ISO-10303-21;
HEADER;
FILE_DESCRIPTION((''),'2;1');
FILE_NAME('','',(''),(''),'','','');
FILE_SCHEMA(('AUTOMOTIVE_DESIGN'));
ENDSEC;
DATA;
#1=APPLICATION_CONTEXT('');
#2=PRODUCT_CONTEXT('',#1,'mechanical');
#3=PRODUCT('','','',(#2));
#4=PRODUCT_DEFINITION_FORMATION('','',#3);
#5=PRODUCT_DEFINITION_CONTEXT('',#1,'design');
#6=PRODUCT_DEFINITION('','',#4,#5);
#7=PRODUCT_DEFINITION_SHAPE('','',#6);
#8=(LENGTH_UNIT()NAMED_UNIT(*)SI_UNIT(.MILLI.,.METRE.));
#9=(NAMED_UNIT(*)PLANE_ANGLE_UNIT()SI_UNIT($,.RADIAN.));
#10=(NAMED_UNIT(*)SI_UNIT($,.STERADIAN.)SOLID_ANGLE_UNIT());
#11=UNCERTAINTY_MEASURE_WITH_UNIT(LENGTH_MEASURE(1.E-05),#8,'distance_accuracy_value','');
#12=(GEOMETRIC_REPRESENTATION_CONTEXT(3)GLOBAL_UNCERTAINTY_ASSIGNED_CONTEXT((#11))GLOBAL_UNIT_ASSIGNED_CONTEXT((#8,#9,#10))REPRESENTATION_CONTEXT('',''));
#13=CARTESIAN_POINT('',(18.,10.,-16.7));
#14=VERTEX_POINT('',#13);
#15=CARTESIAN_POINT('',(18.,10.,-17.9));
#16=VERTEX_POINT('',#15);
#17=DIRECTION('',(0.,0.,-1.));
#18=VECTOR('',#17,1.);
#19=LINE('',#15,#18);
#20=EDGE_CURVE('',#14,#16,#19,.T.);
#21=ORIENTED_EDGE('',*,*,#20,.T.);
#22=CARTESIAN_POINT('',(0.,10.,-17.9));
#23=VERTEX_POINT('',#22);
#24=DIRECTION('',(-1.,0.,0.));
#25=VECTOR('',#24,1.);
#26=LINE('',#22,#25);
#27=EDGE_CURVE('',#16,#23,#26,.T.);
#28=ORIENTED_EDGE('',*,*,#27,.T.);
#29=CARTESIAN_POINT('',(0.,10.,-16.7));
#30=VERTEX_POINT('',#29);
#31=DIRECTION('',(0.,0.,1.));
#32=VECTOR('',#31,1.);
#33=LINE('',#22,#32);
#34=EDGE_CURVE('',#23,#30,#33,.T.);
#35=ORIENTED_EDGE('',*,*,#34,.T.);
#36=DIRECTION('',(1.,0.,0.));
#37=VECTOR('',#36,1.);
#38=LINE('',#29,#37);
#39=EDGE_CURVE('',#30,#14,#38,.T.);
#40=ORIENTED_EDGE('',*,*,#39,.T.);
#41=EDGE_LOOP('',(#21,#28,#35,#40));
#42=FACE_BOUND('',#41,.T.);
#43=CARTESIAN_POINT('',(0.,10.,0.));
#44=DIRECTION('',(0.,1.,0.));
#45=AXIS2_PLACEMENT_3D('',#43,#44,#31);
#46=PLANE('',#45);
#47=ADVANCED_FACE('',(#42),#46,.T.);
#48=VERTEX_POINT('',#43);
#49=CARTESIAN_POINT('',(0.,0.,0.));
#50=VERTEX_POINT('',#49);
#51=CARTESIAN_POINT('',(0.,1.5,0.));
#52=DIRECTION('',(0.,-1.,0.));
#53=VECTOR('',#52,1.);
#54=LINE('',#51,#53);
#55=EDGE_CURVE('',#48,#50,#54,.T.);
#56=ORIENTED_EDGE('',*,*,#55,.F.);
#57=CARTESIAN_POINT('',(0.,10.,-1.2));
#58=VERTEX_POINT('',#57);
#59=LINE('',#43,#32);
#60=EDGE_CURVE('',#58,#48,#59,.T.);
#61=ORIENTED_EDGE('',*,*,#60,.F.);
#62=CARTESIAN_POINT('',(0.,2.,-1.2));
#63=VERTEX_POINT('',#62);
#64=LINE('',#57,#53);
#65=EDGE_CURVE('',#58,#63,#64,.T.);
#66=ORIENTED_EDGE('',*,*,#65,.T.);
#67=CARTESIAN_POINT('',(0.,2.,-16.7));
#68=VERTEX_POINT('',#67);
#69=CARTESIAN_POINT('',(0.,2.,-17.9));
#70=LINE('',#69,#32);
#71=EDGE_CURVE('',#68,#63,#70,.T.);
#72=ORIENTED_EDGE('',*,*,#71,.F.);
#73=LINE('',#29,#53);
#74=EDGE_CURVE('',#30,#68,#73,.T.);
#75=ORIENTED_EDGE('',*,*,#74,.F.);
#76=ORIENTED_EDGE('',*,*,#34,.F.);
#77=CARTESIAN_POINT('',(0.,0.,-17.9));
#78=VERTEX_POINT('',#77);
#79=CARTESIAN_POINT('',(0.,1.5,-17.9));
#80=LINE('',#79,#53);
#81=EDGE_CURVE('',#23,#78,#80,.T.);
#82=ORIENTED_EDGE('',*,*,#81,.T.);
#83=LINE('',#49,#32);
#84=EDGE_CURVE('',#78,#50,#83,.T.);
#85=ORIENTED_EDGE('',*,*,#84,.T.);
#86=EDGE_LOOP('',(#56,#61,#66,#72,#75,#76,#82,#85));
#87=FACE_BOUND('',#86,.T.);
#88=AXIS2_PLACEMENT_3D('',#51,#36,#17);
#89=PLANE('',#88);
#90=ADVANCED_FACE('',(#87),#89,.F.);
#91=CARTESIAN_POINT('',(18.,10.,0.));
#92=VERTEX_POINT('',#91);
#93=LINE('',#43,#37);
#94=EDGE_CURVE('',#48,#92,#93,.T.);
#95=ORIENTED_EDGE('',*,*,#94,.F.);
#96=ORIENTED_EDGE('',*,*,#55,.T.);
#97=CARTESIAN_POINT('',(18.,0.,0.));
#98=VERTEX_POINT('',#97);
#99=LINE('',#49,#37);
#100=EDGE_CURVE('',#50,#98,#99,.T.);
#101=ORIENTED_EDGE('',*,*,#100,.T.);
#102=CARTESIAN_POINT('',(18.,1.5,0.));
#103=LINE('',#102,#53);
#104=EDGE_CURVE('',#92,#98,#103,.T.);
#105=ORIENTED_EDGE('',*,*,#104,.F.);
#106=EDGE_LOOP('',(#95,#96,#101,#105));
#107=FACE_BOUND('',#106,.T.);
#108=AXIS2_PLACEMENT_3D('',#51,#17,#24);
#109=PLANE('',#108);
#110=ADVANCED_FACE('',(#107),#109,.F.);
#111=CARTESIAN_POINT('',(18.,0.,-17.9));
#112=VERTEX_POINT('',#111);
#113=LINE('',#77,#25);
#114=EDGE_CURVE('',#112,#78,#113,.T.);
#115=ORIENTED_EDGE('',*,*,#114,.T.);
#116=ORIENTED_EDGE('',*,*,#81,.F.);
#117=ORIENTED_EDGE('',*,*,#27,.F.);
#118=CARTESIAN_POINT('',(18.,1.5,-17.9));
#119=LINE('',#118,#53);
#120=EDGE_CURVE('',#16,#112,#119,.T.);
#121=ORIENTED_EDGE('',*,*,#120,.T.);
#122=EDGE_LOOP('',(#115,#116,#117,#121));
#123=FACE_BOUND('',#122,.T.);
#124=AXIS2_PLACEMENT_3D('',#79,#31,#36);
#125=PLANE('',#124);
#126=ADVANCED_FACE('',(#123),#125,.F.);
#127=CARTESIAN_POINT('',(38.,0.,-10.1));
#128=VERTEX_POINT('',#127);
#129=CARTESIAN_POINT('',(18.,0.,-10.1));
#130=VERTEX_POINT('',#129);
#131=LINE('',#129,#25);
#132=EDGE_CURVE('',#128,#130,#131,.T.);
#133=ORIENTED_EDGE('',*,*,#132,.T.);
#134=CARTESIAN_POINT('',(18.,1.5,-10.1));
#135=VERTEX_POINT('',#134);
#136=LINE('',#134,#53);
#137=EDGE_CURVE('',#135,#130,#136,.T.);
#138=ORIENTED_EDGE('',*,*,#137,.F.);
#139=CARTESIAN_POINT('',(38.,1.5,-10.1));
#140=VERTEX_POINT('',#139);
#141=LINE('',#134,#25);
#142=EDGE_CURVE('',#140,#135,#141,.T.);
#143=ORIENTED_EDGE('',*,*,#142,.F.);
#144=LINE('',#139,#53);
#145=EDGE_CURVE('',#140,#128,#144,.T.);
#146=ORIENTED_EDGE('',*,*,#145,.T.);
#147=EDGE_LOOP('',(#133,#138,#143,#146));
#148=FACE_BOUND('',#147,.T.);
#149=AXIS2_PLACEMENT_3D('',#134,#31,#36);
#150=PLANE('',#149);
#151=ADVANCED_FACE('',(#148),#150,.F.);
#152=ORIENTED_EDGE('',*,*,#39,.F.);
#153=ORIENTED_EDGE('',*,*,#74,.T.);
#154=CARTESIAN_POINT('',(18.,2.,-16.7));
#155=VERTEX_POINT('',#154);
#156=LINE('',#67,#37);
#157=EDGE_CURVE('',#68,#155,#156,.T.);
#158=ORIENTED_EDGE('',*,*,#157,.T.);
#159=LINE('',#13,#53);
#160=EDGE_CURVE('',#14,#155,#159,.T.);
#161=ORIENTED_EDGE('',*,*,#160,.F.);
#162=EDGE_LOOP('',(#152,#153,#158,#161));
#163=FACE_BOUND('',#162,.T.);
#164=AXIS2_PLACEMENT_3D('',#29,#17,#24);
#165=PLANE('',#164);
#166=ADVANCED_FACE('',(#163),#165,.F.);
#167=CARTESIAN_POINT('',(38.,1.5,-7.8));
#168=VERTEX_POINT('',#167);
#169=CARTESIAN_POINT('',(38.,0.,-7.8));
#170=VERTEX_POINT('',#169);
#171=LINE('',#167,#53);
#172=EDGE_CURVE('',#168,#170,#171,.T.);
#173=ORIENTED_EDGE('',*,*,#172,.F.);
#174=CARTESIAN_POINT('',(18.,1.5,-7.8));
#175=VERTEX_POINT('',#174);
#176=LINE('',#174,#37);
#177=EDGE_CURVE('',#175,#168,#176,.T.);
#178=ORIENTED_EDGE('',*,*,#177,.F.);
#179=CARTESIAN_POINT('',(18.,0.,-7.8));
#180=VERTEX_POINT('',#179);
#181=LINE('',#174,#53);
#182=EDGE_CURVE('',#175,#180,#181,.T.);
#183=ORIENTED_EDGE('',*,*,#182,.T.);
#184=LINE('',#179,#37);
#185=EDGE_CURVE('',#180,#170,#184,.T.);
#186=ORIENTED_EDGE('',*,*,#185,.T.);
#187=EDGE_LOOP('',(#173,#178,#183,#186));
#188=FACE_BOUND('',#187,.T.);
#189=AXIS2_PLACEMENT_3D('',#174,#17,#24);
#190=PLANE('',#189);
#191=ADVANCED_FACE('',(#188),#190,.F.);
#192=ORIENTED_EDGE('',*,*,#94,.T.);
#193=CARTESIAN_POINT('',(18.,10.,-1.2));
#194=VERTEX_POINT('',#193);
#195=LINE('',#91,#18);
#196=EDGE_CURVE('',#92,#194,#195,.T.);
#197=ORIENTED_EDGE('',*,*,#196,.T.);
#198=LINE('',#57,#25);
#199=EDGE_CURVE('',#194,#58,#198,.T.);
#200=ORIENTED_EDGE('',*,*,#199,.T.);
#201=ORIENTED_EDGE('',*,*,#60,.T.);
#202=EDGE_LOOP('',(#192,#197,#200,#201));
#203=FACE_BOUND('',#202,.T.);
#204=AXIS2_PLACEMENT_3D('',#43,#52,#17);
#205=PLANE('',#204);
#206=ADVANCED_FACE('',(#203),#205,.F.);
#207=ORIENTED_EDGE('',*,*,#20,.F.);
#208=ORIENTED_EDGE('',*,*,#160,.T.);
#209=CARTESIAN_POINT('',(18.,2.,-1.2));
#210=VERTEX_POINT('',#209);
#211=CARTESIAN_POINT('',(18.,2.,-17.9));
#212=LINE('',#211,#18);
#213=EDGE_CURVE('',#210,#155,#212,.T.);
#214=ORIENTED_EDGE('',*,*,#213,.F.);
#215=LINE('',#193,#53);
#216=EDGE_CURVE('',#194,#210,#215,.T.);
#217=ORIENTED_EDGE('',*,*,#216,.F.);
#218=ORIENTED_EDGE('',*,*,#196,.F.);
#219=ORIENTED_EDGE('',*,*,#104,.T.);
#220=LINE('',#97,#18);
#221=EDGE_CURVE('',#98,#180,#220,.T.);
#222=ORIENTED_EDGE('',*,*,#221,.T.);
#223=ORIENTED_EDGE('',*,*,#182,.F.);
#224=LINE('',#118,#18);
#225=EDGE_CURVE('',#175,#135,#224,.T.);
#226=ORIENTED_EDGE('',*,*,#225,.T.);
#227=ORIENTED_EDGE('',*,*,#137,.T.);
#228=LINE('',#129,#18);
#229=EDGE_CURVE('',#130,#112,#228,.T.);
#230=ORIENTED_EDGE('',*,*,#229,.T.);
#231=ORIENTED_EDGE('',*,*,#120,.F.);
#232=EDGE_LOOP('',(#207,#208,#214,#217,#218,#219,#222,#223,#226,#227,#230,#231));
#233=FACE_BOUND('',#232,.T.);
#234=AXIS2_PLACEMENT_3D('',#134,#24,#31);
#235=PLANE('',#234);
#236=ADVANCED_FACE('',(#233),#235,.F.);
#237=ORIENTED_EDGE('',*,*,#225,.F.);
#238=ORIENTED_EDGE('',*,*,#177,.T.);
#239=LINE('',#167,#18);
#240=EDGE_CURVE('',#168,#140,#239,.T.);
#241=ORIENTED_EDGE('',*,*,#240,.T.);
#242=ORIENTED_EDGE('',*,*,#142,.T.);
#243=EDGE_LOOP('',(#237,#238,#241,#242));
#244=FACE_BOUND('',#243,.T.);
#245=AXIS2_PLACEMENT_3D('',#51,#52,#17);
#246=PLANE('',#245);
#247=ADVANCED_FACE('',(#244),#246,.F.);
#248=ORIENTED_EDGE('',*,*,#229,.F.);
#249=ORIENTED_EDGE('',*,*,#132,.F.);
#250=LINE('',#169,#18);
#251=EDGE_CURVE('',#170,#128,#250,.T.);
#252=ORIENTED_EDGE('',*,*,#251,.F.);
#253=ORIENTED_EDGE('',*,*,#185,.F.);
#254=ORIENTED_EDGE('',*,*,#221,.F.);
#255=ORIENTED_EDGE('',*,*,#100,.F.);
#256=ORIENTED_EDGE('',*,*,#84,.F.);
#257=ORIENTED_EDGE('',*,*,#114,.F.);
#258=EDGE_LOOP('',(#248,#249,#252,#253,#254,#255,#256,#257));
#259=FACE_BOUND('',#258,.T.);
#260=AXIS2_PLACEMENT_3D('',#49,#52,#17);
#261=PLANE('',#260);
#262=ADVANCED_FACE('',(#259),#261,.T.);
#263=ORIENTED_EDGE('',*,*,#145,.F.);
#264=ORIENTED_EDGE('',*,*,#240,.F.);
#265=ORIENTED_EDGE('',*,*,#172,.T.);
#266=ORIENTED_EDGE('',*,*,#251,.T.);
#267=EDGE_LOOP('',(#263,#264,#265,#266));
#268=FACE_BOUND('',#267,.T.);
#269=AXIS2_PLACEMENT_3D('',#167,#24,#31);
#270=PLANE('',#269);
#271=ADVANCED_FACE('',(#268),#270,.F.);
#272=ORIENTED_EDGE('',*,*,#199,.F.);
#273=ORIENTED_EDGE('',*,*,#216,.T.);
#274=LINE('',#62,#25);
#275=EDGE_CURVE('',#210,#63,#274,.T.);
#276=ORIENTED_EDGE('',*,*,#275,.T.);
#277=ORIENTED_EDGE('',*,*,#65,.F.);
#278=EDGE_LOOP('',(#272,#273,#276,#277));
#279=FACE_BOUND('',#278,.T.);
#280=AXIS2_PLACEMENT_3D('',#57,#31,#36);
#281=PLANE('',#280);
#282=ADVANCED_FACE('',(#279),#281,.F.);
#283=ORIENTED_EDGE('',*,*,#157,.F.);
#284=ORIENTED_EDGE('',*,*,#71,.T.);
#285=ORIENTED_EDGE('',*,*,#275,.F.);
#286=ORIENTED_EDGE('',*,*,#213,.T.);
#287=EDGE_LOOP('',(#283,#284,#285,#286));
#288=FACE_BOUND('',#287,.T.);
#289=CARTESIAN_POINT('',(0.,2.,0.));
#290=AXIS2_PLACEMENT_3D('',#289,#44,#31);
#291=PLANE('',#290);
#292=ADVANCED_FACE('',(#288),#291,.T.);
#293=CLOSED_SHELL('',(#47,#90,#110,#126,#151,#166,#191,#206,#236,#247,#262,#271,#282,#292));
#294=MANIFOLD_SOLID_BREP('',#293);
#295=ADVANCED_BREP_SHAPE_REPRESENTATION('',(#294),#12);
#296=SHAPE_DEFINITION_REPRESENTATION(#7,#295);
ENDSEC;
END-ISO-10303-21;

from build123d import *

# Parameters (mm, degrees)
EXTRUDE_1_DEPTH = 1.5
SKETCH_2_W      = 18
SKETCH_2_H      = 17.9
EXTRUDE_2_DEPTH = 0.5
SKETCH_3_W      = 18
SKETCH_3_H      = 1.2
EXTRUDE_3_DEPTH = 8


with BuildPart() as part:
    # 草图1 → 凸台-拉伸1 (new body)
    with BuildSketch(Plane(origin=(0, 0, 0), x_dir=(1, 0, 0), z_dir=(0, 1, 0))):
        Polygon((18, 10.1), (18, 17.9), (0, 17.9), (0, 0), (18, 0), (18, 7.8), (38, 7.8), (38, 10.1), align=None)
    extrude(amount=EXTRUDE_1_DEPTH)

    # 草图2 → 凸台-拉伸2 (add)
    with BuildSketch(Plane(origin=(0, 1.5, 0), x_dir=(1, 0, 0), z_dir=(0, 1, 0))):
        with Locations((9, 8.95)):
            Rectangle(SKETCH_2_W, SKETCH_2_H)
    extrude(amount=EXTRUDE_2_DEPTH)

    # 草图3 → 凸台-拉伸3 (add)
    with BuildSketch(Plane(origin=(0, 2, 0), x_dir=(1, 0, 0), z_dir=(0, 1, 0))):
        with Locations((9, 17.3)):
            Rectangle(SKETCH_3_W, SKETCH_3_H)
        with Locations((9, 0.6)):
            Rectangle(SKETCH_3_W, SKETCH_3_H)
    extrude(amount=EXTRUDE_3_DEPTH)


solid = part.part
